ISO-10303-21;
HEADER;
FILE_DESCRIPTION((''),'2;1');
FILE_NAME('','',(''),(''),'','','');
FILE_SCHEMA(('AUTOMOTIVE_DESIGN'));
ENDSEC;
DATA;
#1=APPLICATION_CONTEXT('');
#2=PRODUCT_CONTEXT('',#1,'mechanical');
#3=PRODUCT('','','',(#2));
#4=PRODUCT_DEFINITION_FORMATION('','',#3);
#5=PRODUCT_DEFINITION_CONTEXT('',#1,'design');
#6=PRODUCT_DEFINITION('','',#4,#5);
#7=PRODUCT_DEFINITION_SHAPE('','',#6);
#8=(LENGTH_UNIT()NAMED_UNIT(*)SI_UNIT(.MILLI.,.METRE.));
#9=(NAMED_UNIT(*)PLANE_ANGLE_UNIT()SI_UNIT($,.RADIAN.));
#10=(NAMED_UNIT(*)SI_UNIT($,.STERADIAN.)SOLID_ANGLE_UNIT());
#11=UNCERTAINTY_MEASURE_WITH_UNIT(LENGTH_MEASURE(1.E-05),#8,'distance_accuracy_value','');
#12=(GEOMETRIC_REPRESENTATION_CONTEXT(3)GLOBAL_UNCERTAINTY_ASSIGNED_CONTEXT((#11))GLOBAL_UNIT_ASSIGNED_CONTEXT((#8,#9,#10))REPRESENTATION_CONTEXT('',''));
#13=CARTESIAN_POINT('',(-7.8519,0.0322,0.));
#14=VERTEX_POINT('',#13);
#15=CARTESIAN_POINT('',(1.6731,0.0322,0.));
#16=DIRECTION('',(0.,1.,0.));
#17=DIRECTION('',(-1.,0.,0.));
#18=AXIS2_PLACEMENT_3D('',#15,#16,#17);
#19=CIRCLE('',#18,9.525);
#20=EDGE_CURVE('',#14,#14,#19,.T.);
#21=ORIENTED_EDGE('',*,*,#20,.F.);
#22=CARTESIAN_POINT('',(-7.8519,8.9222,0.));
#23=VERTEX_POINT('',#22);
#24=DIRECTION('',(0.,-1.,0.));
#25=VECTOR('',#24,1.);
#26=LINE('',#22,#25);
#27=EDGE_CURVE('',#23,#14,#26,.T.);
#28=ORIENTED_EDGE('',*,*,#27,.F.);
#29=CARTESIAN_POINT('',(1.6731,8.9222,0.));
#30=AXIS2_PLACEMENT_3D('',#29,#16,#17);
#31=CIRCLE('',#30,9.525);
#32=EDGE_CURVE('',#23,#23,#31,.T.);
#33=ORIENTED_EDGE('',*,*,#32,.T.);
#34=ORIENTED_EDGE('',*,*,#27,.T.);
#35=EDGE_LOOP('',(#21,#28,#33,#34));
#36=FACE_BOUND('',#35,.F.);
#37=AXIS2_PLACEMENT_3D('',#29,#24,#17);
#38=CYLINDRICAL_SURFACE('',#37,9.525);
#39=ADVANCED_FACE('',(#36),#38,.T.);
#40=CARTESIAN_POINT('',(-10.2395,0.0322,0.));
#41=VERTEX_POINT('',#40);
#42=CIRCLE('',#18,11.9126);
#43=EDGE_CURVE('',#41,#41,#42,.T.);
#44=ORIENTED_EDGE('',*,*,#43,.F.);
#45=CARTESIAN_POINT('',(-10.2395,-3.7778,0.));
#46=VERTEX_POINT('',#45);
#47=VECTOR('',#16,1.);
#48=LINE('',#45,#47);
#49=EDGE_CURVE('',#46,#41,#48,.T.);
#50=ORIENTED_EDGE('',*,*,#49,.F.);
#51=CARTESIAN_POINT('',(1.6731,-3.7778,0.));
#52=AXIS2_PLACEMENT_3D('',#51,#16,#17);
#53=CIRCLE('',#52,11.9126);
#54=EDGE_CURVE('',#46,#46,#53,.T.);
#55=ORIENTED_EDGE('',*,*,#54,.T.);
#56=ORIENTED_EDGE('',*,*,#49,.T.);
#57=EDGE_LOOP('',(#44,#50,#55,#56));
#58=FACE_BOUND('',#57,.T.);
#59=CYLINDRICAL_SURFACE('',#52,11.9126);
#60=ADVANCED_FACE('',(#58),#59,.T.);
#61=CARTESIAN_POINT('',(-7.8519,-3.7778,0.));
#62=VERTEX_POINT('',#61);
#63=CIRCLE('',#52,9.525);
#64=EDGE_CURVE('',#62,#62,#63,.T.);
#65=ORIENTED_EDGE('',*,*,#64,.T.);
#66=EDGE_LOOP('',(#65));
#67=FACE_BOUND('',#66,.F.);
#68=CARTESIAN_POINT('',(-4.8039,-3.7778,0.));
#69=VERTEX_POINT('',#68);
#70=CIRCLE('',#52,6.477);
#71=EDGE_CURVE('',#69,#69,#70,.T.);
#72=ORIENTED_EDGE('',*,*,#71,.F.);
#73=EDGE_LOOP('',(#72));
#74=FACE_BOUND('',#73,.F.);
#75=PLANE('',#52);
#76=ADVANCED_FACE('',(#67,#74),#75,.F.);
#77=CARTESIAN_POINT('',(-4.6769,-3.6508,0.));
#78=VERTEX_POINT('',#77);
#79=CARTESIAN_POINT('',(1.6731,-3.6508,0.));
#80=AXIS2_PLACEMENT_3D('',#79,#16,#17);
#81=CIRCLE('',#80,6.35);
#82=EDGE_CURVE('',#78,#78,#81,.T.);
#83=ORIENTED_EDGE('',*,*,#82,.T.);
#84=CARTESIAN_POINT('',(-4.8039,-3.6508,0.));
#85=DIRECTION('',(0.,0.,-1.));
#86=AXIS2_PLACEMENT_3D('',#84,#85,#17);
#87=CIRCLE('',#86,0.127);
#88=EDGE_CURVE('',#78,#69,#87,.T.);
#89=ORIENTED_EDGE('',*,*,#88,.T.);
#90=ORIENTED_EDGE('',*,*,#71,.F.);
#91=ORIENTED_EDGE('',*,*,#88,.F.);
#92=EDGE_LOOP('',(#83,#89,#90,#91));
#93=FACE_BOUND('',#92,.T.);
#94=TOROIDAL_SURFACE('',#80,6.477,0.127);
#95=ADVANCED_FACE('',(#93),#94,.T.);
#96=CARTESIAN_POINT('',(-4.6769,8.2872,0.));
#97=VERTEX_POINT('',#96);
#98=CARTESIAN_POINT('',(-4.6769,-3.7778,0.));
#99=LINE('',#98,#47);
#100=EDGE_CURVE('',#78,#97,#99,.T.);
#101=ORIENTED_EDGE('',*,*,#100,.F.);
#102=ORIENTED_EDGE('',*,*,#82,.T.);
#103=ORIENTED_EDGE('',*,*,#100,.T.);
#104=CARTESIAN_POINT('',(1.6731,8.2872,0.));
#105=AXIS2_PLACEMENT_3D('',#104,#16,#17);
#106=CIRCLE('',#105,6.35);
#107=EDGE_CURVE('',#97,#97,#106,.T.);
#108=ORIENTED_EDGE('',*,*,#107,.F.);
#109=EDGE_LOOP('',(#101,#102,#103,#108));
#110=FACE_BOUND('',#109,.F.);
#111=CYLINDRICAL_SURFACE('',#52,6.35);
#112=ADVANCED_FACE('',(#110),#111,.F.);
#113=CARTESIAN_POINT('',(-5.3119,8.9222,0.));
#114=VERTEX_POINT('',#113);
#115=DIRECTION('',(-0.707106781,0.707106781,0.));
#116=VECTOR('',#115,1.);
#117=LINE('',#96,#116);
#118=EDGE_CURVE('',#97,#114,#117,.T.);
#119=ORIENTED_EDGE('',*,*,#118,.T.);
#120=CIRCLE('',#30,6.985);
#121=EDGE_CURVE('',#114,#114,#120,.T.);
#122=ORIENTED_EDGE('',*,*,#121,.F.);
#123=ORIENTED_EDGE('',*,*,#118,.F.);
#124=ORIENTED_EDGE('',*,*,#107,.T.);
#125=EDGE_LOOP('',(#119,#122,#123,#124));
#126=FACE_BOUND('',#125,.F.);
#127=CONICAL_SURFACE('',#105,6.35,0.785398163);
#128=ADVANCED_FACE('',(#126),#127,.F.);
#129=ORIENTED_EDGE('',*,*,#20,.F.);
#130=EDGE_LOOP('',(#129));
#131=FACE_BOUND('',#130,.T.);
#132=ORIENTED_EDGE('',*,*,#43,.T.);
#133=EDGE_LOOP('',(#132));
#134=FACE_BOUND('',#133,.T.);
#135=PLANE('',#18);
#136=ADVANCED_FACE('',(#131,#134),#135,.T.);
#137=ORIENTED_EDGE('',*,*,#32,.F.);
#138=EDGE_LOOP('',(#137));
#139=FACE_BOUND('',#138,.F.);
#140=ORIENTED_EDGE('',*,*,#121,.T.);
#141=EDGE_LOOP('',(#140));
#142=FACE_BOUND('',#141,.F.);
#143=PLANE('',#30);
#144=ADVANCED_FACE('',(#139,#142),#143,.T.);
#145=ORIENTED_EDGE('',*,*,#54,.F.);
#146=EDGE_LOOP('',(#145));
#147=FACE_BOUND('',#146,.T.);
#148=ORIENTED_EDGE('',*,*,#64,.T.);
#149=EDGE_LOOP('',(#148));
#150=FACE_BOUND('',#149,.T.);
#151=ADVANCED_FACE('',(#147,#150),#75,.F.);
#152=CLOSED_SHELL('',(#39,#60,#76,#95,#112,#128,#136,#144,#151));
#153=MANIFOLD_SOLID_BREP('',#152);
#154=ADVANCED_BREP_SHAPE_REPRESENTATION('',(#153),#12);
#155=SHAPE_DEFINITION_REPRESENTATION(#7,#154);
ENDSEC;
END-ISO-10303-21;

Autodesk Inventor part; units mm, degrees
ref_plane "YZ Plane" through (0, 0, 0) normal (1, 0, 0) x (0, 1, 0)
ref_plane "XZ Plane" through (0, 0, 0) normal (0, 1, 0) x (-1, 0, 0)
ref_plane "XY Plane" through (0, 0, 0) normal (0, 0, 1) x (1, 0, 0)
sketch "Sketch1" plane through (0, 0, 0) normal (0, 0, 1) x (1, 0, 0)
  line L0 (-4.6769, 8.9222) -> (-7.8519, 8.9222)
  line L1 (-7.8519, 8.9222) -> (-7.8519, 0.0322)
  line L2 (-7.8519, -3.7778) -> (-4.6769, -3.7778)
  line L3 (1.6731, -3.7778) -> (1.6731, 8.9222)
  line L4 (-4.6769, -3.7778) -> (-10.2395, -3.7778)
  line L5 (-10.2395, -3.7778) -> (-10.2395, 0.0322)
  line L6 (-10.2395, 0.0322) -> (-7.8519, 0.0322)
  line L7 (1.6731, 3.6296) -> (1.6731, -3.7778)
  line L8 (-4.6769, -3.7778) -> (-4.6769, 8.9222)
  point P0 (0, 0)
  dimension "d0" = 12.7
  dimension "d1" = 11.9126
  dimension "d2" = 9.525
  dimension "d3" = 6.35
  dimension "d4" = 3.81
revolve "Revolution1" add sketch "Sketch1" angle 360 about axis through (1.6731, -3.7778, 0) along (0, 1, 0)
chamfer "Chamfer1" distance 0.635 angle 45 1 edges at (8.0231, 8.9222, 0)
fillet "Fillet1" radius 0.127 1 edges at (8.0231, -3.7778, 0)
properties part number "Ratchet Bushing 1764"
